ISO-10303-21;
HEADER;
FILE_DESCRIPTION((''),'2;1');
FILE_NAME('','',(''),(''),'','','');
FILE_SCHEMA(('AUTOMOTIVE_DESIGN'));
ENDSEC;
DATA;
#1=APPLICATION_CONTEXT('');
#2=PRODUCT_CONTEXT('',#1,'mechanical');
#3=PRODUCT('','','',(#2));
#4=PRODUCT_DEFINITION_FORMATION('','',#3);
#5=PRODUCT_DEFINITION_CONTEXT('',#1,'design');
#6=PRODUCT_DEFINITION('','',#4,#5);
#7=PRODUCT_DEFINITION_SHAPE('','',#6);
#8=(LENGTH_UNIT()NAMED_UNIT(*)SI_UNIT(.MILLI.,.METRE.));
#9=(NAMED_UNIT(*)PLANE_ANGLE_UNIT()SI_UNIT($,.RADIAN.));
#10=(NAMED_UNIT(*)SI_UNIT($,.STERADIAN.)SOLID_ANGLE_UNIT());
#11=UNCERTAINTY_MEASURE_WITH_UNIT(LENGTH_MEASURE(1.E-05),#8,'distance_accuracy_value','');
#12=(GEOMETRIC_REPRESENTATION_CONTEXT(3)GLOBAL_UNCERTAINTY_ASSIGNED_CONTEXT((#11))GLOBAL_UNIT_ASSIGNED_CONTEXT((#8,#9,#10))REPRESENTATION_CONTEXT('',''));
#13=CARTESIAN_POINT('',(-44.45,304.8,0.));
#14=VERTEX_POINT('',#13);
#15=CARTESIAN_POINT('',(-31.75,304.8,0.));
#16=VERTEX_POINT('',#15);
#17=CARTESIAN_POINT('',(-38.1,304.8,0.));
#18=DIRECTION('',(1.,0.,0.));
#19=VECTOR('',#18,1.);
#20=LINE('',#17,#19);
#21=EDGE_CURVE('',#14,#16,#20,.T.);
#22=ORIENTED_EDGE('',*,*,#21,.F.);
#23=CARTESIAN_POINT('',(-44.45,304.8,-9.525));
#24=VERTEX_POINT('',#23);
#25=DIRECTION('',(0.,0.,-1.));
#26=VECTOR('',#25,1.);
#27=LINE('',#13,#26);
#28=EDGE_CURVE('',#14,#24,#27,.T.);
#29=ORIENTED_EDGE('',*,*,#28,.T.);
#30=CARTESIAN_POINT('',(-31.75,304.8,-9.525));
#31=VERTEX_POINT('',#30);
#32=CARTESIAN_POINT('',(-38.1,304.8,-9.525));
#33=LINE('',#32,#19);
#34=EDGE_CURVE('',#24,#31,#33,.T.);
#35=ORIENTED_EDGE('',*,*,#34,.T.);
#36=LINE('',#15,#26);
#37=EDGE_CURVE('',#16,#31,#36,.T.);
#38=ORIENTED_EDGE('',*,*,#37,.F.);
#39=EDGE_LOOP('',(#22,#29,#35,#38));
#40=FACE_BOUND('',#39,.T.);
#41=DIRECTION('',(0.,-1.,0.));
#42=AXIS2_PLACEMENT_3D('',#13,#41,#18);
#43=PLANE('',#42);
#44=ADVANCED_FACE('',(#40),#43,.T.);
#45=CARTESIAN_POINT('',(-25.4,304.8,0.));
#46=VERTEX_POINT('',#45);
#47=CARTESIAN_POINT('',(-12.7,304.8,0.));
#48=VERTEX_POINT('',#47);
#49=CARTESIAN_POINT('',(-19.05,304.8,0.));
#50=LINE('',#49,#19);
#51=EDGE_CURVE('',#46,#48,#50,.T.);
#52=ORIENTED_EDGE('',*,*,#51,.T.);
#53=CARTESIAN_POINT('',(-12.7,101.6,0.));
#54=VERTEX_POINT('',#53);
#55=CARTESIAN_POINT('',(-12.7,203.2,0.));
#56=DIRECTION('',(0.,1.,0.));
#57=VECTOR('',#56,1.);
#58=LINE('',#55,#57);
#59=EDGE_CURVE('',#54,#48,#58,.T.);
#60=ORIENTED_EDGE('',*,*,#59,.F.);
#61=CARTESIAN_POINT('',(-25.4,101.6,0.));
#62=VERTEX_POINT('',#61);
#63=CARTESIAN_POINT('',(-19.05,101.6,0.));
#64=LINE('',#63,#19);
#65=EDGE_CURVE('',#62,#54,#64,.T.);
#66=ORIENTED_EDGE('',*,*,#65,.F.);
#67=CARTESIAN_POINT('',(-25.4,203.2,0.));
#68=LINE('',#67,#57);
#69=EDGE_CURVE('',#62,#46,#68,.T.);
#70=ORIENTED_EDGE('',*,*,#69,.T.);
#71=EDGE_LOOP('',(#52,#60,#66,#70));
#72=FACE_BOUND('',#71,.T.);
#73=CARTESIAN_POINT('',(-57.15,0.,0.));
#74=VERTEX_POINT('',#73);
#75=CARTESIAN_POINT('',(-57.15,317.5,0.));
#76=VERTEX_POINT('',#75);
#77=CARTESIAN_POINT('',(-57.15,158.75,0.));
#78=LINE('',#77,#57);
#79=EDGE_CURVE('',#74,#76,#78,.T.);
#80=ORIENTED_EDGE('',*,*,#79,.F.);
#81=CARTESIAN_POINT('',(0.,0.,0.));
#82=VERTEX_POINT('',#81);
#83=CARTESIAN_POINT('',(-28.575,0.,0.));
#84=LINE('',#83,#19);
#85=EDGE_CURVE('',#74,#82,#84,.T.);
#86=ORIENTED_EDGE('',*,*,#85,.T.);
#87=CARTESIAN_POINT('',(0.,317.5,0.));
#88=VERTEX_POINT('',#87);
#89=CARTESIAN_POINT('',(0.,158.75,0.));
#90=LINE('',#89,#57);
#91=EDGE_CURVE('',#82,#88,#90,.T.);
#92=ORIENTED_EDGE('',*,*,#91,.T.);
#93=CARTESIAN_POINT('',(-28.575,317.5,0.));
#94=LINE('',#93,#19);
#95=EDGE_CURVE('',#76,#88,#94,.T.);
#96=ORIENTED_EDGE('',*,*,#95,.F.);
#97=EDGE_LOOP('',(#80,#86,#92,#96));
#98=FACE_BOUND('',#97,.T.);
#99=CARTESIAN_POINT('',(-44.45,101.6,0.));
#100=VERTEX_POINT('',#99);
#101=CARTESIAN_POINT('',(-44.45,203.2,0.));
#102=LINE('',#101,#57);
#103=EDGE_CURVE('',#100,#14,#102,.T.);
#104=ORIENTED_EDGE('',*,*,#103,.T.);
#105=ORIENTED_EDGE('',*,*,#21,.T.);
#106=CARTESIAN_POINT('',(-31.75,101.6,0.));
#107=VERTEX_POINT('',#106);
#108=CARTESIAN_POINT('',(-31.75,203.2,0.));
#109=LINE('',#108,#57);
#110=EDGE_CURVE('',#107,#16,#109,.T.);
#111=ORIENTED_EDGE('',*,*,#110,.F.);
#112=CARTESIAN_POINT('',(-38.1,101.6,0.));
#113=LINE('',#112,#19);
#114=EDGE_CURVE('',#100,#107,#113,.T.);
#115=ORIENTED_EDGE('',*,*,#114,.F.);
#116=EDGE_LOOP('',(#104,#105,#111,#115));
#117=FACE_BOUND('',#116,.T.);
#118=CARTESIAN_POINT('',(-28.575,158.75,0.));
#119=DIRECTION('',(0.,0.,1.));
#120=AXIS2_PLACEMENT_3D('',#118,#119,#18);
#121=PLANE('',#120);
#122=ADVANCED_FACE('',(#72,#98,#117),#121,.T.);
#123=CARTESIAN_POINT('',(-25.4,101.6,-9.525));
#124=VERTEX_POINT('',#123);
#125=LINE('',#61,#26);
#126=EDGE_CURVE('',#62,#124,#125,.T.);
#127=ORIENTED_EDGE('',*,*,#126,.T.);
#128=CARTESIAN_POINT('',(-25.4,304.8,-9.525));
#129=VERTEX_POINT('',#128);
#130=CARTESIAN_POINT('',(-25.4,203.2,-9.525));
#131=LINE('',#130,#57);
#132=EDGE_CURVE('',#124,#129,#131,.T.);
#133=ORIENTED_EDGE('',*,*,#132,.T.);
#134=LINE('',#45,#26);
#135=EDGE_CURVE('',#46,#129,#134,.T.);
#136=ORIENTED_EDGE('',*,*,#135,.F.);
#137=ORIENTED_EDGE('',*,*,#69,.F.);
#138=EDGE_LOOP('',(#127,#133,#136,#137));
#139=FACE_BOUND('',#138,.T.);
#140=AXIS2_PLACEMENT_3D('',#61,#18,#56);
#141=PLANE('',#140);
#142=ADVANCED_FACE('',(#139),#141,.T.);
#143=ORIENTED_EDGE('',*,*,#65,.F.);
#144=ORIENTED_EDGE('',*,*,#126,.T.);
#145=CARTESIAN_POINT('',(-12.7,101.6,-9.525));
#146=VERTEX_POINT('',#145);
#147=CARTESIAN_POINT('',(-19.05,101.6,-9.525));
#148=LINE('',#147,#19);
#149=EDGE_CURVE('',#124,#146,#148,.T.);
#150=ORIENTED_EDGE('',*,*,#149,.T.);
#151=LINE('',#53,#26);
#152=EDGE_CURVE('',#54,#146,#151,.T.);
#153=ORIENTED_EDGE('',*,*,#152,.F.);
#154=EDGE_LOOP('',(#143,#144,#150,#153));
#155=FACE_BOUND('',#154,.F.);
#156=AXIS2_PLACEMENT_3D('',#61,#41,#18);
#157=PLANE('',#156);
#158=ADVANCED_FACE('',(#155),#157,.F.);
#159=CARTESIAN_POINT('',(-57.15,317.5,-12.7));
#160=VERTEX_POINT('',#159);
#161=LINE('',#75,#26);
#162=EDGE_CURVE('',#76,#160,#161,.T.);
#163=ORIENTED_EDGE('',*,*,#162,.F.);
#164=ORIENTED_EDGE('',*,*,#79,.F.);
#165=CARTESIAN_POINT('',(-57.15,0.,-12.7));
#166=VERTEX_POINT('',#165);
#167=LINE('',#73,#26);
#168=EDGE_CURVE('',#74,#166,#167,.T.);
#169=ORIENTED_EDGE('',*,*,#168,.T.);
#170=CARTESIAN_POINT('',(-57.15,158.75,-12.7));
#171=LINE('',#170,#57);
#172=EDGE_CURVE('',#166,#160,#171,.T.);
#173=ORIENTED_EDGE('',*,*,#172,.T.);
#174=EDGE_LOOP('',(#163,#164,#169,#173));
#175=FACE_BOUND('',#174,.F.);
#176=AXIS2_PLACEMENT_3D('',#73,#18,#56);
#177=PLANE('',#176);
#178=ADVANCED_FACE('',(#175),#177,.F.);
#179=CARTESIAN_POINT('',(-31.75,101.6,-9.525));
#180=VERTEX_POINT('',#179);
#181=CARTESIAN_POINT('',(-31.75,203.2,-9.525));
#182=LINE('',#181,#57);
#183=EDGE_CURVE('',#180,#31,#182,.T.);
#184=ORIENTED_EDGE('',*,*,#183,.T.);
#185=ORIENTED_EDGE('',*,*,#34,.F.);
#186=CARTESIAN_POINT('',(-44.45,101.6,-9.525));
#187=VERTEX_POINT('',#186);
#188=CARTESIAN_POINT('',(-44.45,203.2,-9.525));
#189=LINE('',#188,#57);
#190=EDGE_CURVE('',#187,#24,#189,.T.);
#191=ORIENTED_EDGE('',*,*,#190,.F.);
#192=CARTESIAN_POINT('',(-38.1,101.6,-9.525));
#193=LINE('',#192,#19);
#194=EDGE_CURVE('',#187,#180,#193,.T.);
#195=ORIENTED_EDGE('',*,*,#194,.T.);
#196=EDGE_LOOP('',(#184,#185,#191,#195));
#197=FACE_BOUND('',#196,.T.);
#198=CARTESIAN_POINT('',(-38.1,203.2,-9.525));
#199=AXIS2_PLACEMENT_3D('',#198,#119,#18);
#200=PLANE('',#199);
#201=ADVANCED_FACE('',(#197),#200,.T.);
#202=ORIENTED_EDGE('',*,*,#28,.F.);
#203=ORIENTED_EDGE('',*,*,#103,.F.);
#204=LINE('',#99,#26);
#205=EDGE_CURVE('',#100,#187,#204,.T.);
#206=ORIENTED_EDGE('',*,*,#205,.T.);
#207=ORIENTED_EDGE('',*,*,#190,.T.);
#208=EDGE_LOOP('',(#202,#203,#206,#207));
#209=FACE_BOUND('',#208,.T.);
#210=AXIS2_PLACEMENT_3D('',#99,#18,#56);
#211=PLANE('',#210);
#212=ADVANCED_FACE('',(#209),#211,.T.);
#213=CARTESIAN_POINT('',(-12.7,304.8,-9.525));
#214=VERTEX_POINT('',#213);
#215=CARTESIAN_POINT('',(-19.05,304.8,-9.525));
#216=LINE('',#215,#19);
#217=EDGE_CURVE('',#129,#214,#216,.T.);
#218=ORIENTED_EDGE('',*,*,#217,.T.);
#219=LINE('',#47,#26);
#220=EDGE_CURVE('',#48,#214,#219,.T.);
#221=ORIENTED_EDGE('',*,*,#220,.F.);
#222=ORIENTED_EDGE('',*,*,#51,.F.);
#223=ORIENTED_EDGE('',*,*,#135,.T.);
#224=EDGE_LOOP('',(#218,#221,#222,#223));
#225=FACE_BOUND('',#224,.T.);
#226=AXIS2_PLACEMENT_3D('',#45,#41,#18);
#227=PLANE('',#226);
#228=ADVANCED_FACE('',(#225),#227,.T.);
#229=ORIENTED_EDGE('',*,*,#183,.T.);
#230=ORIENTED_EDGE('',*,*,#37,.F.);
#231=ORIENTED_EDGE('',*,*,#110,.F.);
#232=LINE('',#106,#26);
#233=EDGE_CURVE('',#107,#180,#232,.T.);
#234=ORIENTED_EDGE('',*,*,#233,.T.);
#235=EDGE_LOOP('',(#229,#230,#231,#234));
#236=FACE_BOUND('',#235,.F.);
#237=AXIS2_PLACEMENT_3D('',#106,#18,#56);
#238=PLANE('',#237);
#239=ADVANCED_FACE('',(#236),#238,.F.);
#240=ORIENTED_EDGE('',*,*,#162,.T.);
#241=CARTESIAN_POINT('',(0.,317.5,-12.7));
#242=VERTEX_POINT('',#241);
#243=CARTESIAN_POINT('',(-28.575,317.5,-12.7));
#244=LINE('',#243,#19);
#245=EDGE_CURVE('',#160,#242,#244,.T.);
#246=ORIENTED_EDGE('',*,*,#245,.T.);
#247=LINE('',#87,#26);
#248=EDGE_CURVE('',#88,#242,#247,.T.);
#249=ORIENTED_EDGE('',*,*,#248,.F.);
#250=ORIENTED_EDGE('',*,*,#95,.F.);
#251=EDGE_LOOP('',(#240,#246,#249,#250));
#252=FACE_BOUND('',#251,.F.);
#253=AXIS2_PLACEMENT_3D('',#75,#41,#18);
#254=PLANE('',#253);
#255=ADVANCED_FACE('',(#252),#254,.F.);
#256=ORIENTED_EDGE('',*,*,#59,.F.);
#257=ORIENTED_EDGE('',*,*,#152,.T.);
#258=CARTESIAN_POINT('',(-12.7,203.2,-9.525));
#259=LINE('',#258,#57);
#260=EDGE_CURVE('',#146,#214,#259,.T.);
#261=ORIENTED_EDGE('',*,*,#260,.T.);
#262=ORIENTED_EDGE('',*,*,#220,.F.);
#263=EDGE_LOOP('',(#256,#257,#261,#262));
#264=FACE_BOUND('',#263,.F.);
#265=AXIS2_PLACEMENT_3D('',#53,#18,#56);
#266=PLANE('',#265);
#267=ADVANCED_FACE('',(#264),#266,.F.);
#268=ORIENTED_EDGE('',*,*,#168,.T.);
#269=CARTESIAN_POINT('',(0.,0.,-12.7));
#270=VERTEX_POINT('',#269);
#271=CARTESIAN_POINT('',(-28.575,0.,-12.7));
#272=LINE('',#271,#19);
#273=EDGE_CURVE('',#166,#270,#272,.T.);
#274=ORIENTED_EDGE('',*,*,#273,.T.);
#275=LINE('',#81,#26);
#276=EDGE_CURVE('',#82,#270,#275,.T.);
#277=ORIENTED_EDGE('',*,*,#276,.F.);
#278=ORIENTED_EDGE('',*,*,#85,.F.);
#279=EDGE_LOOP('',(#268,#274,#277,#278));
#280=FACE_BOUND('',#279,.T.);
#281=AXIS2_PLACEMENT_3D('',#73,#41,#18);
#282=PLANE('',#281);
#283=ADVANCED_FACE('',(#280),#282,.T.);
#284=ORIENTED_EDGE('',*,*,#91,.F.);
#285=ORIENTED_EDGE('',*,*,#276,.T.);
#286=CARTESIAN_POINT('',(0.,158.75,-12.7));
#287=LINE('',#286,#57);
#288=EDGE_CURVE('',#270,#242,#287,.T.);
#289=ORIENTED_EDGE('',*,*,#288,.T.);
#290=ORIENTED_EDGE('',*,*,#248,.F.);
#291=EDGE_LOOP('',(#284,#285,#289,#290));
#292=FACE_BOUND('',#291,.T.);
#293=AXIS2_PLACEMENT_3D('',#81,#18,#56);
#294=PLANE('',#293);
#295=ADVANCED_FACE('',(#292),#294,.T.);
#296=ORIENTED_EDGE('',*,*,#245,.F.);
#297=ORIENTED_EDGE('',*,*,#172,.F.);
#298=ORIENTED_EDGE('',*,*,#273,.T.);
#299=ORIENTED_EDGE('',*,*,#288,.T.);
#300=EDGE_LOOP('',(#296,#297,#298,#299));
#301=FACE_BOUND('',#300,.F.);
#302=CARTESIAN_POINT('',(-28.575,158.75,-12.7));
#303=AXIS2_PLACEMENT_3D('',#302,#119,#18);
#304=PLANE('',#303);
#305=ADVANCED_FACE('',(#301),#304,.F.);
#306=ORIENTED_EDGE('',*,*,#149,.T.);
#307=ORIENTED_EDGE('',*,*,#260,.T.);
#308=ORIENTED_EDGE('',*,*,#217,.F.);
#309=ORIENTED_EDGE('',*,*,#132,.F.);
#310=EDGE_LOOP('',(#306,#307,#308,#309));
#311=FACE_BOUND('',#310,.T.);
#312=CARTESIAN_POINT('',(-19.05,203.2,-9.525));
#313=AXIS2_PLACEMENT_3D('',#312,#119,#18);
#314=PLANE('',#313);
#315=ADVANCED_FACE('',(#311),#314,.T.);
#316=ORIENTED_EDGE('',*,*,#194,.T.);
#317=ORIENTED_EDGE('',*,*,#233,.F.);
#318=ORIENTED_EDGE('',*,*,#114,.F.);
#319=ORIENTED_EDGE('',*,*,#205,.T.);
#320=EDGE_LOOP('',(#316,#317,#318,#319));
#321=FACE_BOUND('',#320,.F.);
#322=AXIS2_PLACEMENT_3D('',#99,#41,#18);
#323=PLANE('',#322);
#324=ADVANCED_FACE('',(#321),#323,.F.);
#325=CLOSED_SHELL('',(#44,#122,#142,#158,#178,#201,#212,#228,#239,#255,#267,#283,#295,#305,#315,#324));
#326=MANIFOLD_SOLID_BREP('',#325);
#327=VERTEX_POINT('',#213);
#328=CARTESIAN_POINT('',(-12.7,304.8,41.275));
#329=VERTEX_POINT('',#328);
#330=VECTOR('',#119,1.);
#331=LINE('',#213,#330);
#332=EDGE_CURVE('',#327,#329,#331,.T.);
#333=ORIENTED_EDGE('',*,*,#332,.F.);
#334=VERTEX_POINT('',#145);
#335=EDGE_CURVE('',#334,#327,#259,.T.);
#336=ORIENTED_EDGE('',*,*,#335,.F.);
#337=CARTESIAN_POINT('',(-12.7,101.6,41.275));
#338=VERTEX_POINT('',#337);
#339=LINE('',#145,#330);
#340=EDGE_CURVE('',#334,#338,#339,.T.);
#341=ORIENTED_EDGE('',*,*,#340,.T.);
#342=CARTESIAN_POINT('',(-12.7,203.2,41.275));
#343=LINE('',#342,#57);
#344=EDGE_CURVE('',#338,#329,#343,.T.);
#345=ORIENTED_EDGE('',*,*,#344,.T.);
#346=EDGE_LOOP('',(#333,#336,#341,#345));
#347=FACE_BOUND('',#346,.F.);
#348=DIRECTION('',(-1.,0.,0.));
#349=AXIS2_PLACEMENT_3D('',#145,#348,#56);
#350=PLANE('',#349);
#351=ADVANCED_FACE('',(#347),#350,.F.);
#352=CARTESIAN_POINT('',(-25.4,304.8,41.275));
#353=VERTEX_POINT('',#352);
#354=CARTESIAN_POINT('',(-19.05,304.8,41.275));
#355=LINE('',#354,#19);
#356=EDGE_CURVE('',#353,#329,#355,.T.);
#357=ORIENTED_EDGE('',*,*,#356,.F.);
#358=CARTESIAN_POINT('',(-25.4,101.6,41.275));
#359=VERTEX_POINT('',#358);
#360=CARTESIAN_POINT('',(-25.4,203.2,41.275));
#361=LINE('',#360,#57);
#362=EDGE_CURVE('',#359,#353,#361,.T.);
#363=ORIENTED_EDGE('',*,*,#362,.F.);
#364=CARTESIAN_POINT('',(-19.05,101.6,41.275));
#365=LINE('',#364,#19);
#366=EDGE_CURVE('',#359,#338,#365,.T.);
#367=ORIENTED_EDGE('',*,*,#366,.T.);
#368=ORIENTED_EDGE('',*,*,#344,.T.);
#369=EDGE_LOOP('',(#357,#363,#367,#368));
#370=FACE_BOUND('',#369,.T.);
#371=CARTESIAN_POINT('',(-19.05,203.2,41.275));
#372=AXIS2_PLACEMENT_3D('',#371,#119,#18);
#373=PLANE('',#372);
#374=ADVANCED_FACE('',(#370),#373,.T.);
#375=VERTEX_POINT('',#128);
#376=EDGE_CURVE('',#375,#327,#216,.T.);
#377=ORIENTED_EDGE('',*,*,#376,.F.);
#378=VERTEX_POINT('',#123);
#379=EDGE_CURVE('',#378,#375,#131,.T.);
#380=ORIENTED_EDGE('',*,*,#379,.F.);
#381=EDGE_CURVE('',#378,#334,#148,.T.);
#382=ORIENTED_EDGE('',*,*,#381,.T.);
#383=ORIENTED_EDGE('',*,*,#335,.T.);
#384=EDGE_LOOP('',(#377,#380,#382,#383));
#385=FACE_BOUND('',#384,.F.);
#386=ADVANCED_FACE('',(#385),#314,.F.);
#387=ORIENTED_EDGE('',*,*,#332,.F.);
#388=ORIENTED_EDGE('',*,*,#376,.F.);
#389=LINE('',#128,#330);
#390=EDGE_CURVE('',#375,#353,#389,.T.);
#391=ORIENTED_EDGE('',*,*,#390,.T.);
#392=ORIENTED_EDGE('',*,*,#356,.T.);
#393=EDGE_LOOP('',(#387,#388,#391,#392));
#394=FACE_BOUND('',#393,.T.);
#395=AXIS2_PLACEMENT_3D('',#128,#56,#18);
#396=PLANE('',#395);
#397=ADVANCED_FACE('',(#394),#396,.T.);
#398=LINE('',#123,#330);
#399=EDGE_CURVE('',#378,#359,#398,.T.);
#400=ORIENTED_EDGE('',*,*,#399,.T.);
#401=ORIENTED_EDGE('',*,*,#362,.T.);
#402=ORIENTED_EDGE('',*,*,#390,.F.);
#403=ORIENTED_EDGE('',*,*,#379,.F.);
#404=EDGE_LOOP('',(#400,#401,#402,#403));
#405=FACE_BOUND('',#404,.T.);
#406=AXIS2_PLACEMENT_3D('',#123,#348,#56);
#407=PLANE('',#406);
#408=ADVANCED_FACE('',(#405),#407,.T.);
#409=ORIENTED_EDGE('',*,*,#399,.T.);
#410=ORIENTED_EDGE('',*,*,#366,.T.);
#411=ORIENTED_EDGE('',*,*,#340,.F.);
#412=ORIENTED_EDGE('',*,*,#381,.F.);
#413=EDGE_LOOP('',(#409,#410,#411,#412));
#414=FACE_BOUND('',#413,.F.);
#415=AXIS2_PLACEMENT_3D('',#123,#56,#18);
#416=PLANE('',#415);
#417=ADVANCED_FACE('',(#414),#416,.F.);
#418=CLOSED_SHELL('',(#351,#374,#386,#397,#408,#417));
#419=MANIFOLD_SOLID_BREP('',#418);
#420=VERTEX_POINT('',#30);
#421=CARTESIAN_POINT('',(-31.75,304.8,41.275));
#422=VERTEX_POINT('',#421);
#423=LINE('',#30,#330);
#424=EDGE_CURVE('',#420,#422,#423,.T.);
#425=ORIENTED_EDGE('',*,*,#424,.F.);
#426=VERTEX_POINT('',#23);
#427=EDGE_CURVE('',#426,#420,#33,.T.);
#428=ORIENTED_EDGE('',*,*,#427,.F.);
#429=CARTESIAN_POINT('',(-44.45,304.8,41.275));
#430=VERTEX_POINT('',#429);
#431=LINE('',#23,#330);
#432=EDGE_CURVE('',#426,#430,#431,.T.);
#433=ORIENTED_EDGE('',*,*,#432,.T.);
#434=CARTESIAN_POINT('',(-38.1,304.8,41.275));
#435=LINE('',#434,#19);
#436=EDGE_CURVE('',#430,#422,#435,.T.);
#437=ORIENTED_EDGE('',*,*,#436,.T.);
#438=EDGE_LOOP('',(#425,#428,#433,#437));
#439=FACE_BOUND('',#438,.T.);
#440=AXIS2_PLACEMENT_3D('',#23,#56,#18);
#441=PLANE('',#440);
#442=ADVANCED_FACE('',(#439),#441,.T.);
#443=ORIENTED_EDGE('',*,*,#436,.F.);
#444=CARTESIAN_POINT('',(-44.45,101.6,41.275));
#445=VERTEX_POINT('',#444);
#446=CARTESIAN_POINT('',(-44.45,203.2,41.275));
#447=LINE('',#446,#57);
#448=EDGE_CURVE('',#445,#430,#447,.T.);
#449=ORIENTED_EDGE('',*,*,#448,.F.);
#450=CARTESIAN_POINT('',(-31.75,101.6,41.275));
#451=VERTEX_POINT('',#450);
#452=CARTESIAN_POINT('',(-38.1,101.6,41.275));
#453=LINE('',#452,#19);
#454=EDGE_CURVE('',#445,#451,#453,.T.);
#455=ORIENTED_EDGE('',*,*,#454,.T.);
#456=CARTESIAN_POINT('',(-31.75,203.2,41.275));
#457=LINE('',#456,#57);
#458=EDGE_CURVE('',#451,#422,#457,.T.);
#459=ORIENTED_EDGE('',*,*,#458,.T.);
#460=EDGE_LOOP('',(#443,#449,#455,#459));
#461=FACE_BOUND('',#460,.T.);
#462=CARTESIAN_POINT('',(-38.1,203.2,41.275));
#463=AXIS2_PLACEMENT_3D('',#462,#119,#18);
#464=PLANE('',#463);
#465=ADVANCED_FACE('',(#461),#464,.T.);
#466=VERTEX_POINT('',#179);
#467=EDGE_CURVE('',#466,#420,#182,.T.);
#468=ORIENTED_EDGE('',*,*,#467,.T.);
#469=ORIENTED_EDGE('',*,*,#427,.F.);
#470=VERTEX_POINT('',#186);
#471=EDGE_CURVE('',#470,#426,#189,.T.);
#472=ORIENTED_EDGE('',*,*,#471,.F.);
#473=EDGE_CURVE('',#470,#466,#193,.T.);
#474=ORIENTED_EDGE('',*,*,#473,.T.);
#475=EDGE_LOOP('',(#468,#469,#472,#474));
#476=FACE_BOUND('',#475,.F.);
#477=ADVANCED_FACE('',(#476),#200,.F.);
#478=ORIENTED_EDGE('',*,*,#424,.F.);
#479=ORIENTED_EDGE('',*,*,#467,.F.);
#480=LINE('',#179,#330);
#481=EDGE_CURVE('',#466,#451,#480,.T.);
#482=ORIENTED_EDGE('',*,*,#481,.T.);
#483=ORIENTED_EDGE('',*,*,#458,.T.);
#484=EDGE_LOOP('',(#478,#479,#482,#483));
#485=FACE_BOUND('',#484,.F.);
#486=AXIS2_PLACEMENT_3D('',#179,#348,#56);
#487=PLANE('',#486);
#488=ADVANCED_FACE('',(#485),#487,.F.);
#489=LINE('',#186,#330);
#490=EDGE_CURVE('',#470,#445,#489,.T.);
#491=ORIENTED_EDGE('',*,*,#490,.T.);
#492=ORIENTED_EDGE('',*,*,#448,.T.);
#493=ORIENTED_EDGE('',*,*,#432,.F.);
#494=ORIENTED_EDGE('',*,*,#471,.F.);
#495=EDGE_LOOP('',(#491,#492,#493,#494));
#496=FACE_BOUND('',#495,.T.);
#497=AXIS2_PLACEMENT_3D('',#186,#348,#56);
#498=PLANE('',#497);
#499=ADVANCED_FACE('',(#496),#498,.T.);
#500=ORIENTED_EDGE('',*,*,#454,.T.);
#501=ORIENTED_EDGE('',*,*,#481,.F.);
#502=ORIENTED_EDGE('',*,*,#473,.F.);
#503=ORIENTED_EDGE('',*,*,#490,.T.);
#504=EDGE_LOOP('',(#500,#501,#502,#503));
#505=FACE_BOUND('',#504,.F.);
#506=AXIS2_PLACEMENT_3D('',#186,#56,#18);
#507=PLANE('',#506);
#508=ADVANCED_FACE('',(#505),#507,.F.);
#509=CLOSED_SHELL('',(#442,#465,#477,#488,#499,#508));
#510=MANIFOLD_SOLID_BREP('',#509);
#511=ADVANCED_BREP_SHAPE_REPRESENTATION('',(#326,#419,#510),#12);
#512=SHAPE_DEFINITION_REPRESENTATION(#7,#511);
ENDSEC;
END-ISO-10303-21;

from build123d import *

# Parameters (mm, degrees)
F0_W      = 57.15
F0_H      = 317.5
F0_W_2    = 12.7
F0_H_2    = 203.2
F0_W_3    = 1.5875
F0_W_4    = 3.175
F1_DEPTH  = 12.7
F2_DEPTH  = 9.525
F2_FACE_W = 12.7
F2_FACE_H = 203.2
F3_DEPTH  = 50.8


with BuildPart() as f1:
    # F0 (on Top) → F1 (new body)
    with BuildSketch(Plane.XY):
        with Locations((-28.575, 158.75)):
            Rectangle(F0_W, F0_H)
        Polygon((-31.75, 101.6), (-44.45, 101.6), (-44.45, 304.8), (-31.75, 304.8), (-30.1625, 304.8), (-26.9875, 304.8), (-25.4, 304.8), (-12.7, 304.8), (-12.7, 101.6), (-25.4, 101.6), (-26.9875, 101.6), (-30.1625, 101.6), align=None, mode=Mode.SUBTRACT)
        with Locations((-19.05, 203.2)):
            Rectangle(F0_W_2, F0_H_2)
        with Locations((-30.95625, 203.2)):
            Rectangle(F0_W_3, F0_H_2)
        with Locations((-38.1, 203.2)):
            Rectangle(F0_W_2, F0_H_2)
        with Locations((-28.575, 203.2)):
            Rectangle(F0_W_4, F0_H_2)
        with Locations((-26.19375, 203.2)):
            Rectangle(F0_W_3, F0_H_2)
    extrude(amount=-F1_DEPTH)

    # F0 (on Top) → F2 (cut)
    with BuildSketch(Plane.XY):
        with Locations((-38.1, 203.2)):
            Rectangle(F0_W_2, F0_H_2)
        with Locations((-19.05, 203.2)):
            Rectangle(F0_W_2, F0_H_2)
    extrude(amount=-F2_DEPTH, mode=Mode.SUBTRACT)


with BuildPart() as f3:
    # F2_face (on face) → F3 (new body)
    with BuildSketch(Plane(origin=(-38.1, 203.2, -9.525), x_dir=(1, 0, 0), z_dir=(0, 0, 1))):
        Rectangle(F2_FACE_W, F2_FACE_H)
        with Locations((19.05, 0)):
            Rectangle(F2_FACE_W, F2_FACE_H)
    extrude(amount=F3_DEPTH)


solid = Compound([f1.part, f3.part])
